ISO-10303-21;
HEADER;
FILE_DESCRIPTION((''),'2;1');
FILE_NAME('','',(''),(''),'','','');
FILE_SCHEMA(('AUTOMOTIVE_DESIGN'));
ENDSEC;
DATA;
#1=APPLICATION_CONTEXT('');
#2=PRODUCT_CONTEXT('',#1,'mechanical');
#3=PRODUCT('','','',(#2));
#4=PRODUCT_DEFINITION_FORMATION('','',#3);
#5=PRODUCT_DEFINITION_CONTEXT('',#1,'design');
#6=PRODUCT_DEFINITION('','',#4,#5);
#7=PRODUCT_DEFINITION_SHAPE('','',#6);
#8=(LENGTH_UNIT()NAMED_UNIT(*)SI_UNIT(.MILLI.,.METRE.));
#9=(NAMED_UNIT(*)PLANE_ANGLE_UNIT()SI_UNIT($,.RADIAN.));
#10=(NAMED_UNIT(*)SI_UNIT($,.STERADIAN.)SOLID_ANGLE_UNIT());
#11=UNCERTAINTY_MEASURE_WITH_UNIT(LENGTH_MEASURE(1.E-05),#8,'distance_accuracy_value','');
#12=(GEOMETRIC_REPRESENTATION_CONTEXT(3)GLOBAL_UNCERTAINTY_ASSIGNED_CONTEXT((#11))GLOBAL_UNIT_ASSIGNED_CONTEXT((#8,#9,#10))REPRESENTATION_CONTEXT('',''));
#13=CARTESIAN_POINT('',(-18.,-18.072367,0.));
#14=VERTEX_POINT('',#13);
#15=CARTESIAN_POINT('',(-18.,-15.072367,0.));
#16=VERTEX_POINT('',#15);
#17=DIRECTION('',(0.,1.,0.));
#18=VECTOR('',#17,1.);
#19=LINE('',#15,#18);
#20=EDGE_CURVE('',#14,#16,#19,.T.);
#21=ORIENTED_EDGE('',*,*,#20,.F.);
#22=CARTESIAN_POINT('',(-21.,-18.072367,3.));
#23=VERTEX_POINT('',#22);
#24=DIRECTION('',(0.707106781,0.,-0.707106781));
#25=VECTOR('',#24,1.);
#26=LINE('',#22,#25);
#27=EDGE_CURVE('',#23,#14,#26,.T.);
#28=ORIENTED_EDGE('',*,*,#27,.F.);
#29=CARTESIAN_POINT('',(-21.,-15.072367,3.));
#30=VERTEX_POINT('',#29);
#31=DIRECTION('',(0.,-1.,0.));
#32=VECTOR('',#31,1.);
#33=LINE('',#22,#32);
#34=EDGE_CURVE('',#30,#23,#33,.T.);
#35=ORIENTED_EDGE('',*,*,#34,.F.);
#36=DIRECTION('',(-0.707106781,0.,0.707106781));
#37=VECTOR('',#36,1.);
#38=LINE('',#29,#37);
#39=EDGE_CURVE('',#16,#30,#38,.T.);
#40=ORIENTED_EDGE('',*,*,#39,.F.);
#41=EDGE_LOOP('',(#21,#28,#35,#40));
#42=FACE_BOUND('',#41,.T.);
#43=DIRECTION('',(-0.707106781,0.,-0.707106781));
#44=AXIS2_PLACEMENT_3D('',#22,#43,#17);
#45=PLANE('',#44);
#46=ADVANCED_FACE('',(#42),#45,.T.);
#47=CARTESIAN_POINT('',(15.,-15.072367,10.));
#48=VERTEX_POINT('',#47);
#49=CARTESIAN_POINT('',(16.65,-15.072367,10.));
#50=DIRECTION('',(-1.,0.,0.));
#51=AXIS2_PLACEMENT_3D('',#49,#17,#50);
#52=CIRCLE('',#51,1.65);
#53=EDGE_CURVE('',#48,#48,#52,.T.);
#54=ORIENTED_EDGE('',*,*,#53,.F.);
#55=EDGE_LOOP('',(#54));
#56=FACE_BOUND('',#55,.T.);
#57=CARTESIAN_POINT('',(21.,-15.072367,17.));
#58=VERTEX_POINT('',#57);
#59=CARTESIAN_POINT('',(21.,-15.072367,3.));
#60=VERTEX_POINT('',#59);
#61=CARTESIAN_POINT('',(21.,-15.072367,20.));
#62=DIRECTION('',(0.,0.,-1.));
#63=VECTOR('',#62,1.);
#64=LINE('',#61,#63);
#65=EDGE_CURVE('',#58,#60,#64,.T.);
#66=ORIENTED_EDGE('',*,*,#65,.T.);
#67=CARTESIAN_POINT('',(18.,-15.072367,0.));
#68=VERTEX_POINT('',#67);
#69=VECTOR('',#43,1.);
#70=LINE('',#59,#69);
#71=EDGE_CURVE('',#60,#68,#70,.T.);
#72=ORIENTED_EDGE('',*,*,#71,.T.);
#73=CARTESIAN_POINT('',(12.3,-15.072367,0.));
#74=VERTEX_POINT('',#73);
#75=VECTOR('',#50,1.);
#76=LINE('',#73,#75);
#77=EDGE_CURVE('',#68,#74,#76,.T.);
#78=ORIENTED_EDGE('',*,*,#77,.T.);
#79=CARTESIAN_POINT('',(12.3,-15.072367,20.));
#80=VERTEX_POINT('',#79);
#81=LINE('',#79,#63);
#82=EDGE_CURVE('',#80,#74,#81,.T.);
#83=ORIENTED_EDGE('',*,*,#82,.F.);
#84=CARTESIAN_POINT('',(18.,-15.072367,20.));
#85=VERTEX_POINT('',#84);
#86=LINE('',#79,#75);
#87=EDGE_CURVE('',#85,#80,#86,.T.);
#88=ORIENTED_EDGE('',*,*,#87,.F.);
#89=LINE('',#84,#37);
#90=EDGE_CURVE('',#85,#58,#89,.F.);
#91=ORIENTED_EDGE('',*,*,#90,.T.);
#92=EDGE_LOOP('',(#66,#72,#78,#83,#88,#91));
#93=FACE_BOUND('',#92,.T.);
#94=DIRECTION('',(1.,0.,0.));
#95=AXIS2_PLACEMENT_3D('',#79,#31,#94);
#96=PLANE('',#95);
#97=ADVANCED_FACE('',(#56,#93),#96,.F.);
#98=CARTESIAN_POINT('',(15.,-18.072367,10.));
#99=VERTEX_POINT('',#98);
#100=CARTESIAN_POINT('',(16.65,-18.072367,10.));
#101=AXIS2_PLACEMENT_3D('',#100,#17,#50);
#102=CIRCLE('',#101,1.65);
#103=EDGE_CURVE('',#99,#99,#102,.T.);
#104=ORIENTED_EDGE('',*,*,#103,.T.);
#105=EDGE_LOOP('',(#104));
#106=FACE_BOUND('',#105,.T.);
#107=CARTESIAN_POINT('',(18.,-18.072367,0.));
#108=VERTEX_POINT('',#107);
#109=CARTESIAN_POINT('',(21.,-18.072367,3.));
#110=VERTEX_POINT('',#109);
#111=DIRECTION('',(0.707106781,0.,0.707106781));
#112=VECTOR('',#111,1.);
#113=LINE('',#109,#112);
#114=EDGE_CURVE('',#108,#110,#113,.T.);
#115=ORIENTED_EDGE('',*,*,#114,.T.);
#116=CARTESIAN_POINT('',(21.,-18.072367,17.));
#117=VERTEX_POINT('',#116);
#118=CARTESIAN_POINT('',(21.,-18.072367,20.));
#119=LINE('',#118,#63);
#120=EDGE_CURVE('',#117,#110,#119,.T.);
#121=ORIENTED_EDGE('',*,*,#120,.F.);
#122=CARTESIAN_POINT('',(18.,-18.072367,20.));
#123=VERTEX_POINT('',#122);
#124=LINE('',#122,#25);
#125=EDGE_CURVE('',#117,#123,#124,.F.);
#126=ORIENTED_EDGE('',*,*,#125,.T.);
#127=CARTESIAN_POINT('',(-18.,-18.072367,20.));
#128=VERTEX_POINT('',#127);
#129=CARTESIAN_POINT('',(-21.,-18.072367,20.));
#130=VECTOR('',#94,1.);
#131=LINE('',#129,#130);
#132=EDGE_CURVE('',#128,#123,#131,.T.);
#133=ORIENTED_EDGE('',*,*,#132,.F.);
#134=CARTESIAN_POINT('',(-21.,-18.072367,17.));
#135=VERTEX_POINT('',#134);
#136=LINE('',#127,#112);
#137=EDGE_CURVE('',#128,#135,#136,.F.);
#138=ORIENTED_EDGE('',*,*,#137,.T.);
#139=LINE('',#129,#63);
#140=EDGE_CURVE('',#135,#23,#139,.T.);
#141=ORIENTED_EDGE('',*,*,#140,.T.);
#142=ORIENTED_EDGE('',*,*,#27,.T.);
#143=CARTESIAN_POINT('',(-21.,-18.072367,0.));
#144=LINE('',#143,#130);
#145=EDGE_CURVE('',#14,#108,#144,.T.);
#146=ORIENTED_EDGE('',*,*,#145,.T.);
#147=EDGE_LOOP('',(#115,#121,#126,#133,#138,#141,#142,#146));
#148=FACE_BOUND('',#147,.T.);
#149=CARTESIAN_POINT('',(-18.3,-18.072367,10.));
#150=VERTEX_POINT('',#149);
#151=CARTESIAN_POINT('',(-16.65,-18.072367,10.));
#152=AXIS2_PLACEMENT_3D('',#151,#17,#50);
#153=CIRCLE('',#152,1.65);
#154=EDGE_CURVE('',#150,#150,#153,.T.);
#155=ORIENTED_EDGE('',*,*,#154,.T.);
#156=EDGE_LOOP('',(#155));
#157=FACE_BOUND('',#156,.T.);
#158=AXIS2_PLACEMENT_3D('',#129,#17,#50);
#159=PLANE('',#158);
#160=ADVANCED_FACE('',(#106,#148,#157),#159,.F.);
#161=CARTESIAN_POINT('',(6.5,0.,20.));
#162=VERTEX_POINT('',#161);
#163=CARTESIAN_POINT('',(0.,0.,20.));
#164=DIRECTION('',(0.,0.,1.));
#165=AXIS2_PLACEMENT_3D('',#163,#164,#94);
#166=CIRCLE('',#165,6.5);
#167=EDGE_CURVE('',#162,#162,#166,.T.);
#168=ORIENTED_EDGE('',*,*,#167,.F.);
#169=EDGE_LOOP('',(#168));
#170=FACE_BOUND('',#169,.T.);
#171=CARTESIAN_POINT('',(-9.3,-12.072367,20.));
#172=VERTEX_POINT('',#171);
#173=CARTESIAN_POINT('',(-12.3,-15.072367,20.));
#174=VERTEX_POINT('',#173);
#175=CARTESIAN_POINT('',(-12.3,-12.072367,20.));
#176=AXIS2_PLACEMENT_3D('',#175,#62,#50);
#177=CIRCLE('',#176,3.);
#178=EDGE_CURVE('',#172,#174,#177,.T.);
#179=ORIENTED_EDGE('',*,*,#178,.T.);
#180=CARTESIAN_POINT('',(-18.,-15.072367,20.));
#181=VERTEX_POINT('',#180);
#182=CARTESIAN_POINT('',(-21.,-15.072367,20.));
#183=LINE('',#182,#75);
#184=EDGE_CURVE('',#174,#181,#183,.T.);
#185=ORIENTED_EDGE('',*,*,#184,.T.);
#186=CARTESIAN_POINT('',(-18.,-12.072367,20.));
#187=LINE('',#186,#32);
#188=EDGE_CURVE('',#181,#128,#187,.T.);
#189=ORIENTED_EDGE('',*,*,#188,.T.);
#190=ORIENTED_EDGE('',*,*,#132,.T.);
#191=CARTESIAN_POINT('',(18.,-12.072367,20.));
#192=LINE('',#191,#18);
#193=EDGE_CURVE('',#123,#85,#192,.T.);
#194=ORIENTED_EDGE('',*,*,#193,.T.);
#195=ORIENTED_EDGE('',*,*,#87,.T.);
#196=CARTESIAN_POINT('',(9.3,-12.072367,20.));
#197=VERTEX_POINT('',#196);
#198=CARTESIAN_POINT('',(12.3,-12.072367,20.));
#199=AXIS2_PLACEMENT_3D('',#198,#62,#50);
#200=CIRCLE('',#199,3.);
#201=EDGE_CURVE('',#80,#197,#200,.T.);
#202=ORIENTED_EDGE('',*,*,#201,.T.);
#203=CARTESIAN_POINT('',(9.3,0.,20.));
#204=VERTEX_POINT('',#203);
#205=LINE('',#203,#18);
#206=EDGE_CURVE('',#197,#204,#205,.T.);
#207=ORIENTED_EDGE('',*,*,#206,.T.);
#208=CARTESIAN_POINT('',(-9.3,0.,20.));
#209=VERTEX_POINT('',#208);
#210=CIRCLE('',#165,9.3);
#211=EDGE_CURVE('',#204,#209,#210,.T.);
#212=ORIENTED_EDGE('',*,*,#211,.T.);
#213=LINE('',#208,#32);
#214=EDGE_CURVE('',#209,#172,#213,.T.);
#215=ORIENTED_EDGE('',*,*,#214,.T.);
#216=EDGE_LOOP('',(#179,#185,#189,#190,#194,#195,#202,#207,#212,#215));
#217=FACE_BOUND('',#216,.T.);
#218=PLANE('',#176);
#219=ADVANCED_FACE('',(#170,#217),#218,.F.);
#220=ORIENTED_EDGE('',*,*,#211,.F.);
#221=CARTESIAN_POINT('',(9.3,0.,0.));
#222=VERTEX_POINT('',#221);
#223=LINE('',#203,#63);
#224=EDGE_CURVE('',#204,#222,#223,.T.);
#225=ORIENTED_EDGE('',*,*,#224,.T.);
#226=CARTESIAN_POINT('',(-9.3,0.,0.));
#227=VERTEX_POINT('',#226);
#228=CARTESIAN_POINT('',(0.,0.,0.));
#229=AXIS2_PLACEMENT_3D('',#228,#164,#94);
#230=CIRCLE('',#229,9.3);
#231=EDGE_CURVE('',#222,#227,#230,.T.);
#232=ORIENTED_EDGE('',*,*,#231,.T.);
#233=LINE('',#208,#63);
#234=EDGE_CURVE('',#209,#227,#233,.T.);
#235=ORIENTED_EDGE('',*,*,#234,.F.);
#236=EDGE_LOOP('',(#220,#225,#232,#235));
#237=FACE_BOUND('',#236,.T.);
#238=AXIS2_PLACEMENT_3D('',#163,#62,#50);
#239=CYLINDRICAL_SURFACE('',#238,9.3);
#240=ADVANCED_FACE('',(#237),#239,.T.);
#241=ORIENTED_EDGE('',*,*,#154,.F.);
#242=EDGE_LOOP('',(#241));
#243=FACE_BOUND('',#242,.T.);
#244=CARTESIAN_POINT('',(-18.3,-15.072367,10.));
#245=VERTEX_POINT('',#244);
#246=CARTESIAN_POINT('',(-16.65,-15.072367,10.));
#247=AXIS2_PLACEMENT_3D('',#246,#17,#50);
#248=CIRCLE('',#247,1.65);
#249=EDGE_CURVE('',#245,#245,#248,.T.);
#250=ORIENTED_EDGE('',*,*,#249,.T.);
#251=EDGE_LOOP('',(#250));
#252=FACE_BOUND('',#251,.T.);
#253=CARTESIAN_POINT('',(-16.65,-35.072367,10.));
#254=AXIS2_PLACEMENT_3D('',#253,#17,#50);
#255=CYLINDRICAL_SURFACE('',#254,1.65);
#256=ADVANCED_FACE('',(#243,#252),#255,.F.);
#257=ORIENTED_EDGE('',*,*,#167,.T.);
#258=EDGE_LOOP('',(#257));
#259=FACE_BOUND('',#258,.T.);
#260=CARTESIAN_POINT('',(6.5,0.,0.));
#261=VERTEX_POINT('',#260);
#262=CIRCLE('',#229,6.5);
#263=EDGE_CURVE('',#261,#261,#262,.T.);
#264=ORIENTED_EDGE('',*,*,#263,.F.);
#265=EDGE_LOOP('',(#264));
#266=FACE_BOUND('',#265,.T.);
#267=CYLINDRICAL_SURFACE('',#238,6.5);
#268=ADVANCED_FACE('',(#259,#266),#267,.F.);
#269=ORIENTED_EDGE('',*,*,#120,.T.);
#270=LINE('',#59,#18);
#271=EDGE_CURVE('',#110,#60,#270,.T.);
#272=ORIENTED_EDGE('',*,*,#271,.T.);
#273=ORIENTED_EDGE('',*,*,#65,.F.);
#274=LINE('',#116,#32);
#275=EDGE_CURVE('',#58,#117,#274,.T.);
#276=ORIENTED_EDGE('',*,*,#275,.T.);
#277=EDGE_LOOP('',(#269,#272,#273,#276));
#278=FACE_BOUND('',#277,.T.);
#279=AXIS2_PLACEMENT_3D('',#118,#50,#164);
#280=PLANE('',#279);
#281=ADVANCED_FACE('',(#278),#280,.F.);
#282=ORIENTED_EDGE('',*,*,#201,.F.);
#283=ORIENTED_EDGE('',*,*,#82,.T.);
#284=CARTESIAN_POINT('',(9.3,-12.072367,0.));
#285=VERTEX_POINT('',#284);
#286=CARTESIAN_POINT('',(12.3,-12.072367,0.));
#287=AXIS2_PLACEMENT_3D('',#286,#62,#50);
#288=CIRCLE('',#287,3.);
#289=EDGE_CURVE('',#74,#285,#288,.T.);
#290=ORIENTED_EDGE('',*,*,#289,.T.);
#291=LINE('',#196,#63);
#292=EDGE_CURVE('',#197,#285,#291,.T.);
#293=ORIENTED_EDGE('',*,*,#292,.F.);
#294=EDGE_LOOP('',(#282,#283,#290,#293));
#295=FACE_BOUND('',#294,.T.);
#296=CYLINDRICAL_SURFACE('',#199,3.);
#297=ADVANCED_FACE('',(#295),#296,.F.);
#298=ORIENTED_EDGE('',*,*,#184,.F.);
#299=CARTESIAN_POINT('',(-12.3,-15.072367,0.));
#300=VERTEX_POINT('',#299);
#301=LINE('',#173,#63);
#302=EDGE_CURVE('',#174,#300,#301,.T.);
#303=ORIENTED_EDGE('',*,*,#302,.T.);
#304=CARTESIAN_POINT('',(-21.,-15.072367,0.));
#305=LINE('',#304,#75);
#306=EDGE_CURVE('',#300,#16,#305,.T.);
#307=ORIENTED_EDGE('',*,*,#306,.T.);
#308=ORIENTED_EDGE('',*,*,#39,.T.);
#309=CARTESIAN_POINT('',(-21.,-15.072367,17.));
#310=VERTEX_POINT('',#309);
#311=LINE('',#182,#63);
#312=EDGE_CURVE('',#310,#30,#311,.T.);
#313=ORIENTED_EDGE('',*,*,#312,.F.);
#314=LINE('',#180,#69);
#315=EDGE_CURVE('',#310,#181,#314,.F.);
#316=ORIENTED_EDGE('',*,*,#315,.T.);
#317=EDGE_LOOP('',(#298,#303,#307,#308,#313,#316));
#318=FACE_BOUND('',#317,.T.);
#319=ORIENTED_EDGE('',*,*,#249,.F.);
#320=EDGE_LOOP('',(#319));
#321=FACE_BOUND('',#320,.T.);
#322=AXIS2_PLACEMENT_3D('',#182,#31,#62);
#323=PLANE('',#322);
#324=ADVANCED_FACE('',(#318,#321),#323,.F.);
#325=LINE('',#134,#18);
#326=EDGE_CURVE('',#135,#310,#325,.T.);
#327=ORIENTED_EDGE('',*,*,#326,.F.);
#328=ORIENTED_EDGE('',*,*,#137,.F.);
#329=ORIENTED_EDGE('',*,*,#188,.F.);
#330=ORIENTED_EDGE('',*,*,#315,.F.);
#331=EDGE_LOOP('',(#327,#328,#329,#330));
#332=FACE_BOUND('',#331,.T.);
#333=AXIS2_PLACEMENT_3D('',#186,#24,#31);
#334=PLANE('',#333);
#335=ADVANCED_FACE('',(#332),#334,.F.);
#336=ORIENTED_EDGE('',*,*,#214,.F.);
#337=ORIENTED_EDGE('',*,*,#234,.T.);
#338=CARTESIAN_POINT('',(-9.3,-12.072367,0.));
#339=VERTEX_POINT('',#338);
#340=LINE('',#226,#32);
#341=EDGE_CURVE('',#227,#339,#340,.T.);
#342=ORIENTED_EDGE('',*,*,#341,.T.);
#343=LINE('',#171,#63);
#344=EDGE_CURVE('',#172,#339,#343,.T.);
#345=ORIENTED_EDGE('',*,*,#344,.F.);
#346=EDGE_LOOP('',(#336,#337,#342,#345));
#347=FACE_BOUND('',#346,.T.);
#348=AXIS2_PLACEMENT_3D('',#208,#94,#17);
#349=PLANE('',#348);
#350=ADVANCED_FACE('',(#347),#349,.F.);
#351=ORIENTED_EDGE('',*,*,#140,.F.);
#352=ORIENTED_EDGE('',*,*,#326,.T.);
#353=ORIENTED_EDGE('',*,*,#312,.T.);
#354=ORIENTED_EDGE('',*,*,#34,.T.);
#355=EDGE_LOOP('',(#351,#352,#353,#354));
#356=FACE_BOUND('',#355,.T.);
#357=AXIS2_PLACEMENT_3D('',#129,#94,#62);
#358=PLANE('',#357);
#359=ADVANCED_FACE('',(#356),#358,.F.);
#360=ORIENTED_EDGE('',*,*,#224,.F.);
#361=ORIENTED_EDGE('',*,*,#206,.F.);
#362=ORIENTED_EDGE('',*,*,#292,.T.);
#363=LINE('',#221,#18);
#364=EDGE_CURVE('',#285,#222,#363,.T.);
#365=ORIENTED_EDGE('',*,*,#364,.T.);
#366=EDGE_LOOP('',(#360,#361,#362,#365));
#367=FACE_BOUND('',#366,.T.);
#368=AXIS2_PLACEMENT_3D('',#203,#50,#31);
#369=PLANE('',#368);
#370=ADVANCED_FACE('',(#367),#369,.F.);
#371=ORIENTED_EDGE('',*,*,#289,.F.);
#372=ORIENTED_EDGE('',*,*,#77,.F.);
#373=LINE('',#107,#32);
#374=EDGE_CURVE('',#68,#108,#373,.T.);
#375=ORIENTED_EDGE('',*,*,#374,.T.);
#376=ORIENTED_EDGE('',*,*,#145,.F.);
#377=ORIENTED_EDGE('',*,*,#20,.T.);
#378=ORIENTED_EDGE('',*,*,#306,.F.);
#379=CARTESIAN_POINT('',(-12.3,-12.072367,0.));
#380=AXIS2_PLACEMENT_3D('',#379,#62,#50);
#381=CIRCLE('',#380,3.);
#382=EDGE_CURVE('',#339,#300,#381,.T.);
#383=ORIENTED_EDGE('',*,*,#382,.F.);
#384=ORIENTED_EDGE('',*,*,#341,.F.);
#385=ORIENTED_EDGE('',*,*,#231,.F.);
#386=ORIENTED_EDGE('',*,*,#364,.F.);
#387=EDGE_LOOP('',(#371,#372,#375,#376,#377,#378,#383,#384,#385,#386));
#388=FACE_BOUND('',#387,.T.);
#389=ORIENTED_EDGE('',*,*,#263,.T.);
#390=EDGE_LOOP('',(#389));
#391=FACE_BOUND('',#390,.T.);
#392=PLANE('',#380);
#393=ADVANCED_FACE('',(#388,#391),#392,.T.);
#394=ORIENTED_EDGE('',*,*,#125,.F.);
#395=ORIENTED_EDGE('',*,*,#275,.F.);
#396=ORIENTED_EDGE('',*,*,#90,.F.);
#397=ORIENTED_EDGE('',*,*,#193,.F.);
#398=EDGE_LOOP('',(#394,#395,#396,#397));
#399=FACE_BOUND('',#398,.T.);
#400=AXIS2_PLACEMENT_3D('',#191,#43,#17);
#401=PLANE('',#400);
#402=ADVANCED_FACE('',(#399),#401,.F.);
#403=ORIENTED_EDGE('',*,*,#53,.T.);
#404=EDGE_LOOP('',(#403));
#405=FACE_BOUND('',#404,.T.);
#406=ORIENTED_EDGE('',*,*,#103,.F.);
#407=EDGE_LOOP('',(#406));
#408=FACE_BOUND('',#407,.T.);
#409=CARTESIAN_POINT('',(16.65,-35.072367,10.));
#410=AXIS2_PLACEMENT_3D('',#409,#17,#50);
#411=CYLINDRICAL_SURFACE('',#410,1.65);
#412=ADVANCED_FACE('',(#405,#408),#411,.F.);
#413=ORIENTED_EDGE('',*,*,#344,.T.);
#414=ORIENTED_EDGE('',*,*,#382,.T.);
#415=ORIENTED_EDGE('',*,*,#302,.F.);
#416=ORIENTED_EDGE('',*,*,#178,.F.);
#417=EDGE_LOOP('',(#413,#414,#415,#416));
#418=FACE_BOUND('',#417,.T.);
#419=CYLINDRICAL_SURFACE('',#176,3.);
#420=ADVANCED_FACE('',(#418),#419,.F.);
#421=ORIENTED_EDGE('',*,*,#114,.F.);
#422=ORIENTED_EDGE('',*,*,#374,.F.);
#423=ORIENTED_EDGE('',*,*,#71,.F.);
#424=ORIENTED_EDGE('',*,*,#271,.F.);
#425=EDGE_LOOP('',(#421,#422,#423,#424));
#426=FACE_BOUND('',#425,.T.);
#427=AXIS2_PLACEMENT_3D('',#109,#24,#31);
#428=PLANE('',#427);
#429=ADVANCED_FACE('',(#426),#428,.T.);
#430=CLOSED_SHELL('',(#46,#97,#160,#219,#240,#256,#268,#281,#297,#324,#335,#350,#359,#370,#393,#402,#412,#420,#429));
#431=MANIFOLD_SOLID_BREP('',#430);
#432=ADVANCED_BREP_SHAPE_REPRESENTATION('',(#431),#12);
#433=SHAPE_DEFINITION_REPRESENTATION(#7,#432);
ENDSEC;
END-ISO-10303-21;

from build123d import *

# Parameters (mm, degrees)
SKETCH1_R           = 6.5
BOSS_EXTRUDE1_DEPTH = 20
CHAMFER1_SIZE       = 3
SKETCH2_R           = 1.65
CUT_EXTRUDE1_DEPTH  = 20


with BuildPart() as part:
    # Sketch1 → Boss-Extrude1 (new body)
    with BuildSketch(Plane.XY):
        with BuildLine():
            Line((-21, -18.072367328), (21, -18.072367328))
            Line((21, -18.072367328), (21, -15.072367328))
            Line((21, -15.072367328), (12.3, -15.072367328))
            ThreePointArc((12.3, -15.072367328), (10.178679656, -14.193687672), (9.3, -12.072367328))
            Line((9.3, -12.072367328), (9.3, 0))
            ThreePointArc((9.3, 0), (0, 9.3), (-9.3, 0))
            Line((-9.3, 0), (-9.3, -12.072367328))
            ThreePointArc((-9.3, -12.072367328), (-10.178679656, -14.193687672), (-12.3, -15.072367328))
            Line((-12.3, -15.072367328), (-21, -15.072367328))
            Line((-21, -15.072367328), (-21, -18.072367328))
        make_face()
        Circle(SKETCH1_R, mode=Mode.SUBTRACT)
    extrude(amount=BOSS_EXTRUDE1_DEPTH)

    # Chamfer1
    chamfer1_edges = [part.edges().sort_by_distance(p)[0] for p in [
        (21, -16.572367328, 20),
        (21, -16.572367328, 0),
        (-21, -16.572367328, 0),
        (-21, -16.572367328, 20),
    ]]
    chamfer(chamfer1_edges, length=CHAMFER1_SIZE)

    # Sketch2 → Cut-Extrude1 (cut)
    with BuildSketch(Plane(origin=(0, -15.072367328, 0), x_dir=(1, 0, 0), z_dir=(0, 1, 0))):
        with Locations(Location((16.65, -10, 0), (0, 0, 180))):
            Circle(SKETCH2_R)
        with Locations(Location((-16.65, -10, 0), (0, 0, 180))):
            Circle(SKETCH2_R)
    extrude(amount=-CUT_EXTRUDE1_DEPTH, mode=Mode.SUBTRACT)


solid = part.part
